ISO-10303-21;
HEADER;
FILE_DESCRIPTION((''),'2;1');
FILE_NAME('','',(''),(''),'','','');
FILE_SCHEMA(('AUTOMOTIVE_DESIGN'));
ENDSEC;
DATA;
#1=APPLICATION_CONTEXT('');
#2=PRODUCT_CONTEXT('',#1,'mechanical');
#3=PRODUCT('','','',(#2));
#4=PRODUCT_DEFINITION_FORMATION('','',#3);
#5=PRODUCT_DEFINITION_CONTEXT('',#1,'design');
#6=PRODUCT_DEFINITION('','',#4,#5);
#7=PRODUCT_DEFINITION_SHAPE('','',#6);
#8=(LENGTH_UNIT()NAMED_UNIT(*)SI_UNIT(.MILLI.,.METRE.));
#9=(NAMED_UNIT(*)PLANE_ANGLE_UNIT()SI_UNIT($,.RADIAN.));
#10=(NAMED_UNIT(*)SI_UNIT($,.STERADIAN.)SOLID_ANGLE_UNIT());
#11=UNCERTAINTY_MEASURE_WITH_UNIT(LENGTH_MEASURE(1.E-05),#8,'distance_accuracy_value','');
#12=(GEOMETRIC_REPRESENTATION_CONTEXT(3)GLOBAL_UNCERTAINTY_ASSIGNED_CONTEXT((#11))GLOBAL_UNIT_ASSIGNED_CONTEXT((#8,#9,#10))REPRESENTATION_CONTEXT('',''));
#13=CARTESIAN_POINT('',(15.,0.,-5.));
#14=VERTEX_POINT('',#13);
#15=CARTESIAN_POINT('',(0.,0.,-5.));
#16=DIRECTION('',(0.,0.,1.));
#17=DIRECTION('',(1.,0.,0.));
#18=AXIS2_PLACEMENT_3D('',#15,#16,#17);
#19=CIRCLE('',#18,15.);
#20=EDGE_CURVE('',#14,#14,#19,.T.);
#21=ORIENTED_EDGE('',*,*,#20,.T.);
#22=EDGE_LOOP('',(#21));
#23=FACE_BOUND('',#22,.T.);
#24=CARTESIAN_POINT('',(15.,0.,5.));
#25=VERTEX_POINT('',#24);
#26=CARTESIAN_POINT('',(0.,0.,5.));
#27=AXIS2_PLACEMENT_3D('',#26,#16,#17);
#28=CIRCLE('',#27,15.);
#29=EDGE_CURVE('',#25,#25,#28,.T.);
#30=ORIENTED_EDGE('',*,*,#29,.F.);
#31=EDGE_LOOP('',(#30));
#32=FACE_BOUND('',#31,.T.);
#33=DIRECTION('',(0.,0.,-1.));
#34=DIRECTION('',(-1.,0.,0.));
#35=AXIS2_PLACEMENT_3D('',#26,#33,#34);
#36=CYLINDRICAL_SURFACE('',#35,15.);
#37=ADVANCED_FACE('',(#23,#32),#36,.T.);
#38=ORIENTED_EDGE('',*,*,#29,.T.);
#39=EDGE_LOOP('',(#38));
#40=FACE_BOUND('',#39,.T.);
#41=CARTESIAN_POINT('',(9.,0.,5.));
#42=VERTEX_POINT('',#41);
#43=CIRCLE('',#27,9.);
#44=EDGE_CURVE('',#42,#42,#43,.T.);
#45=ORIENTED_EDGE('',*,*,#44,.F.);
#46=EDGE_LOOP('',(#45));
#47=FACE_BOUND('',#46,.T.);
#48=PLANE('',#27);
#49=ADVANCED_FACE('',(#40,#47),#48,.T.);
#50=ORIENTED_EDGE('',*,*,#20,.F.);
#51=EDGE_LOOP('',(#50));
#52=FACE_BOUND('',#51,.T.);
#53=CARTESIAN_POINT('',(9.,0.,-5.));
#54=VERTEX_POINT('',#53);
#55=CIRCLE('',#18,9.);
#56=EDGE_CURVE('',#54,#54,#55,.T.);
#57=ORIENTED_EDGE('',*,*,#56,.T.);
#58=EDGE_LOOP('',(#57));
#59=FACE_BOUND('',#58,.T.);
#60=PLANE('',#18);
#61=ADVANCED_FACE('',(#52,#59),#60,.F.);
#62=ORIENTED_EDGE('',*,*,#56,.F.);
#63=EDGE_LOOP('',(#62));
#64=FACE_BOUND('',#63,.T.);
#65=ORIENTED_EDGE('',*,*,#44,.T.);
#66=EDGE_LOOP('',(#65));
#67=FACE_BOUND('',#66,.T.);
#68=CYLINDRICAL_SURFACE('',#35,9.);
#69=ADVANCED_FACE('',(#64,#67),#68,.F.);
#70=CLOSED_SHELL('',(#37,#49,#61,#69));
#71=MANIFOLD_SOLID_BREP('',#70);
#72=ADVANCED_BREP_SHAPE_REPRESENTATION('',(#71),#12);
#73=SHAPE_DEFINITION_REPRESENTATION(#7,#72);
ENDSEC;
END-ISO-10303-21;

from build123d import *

# Parameters (mm, degrees)
SKETCH1_R           = 15
SKETCH1_R_2         = 9
BOSS_EXTRUDE1_DEPTH = 5


with BuildPart() as part:
    # Sketch1 → Boss-Extrude1 (new body, symmetric)
    with BuildSketch(Plane.XY):
        Circle(SKETCH1_R)
        Circle(SKETCH1_R_2, mode=Mode.SUBTRACT)
    extrude(amount=BOSS_EXTRUDE1_DEPTH, both=True)


solid = part.part
